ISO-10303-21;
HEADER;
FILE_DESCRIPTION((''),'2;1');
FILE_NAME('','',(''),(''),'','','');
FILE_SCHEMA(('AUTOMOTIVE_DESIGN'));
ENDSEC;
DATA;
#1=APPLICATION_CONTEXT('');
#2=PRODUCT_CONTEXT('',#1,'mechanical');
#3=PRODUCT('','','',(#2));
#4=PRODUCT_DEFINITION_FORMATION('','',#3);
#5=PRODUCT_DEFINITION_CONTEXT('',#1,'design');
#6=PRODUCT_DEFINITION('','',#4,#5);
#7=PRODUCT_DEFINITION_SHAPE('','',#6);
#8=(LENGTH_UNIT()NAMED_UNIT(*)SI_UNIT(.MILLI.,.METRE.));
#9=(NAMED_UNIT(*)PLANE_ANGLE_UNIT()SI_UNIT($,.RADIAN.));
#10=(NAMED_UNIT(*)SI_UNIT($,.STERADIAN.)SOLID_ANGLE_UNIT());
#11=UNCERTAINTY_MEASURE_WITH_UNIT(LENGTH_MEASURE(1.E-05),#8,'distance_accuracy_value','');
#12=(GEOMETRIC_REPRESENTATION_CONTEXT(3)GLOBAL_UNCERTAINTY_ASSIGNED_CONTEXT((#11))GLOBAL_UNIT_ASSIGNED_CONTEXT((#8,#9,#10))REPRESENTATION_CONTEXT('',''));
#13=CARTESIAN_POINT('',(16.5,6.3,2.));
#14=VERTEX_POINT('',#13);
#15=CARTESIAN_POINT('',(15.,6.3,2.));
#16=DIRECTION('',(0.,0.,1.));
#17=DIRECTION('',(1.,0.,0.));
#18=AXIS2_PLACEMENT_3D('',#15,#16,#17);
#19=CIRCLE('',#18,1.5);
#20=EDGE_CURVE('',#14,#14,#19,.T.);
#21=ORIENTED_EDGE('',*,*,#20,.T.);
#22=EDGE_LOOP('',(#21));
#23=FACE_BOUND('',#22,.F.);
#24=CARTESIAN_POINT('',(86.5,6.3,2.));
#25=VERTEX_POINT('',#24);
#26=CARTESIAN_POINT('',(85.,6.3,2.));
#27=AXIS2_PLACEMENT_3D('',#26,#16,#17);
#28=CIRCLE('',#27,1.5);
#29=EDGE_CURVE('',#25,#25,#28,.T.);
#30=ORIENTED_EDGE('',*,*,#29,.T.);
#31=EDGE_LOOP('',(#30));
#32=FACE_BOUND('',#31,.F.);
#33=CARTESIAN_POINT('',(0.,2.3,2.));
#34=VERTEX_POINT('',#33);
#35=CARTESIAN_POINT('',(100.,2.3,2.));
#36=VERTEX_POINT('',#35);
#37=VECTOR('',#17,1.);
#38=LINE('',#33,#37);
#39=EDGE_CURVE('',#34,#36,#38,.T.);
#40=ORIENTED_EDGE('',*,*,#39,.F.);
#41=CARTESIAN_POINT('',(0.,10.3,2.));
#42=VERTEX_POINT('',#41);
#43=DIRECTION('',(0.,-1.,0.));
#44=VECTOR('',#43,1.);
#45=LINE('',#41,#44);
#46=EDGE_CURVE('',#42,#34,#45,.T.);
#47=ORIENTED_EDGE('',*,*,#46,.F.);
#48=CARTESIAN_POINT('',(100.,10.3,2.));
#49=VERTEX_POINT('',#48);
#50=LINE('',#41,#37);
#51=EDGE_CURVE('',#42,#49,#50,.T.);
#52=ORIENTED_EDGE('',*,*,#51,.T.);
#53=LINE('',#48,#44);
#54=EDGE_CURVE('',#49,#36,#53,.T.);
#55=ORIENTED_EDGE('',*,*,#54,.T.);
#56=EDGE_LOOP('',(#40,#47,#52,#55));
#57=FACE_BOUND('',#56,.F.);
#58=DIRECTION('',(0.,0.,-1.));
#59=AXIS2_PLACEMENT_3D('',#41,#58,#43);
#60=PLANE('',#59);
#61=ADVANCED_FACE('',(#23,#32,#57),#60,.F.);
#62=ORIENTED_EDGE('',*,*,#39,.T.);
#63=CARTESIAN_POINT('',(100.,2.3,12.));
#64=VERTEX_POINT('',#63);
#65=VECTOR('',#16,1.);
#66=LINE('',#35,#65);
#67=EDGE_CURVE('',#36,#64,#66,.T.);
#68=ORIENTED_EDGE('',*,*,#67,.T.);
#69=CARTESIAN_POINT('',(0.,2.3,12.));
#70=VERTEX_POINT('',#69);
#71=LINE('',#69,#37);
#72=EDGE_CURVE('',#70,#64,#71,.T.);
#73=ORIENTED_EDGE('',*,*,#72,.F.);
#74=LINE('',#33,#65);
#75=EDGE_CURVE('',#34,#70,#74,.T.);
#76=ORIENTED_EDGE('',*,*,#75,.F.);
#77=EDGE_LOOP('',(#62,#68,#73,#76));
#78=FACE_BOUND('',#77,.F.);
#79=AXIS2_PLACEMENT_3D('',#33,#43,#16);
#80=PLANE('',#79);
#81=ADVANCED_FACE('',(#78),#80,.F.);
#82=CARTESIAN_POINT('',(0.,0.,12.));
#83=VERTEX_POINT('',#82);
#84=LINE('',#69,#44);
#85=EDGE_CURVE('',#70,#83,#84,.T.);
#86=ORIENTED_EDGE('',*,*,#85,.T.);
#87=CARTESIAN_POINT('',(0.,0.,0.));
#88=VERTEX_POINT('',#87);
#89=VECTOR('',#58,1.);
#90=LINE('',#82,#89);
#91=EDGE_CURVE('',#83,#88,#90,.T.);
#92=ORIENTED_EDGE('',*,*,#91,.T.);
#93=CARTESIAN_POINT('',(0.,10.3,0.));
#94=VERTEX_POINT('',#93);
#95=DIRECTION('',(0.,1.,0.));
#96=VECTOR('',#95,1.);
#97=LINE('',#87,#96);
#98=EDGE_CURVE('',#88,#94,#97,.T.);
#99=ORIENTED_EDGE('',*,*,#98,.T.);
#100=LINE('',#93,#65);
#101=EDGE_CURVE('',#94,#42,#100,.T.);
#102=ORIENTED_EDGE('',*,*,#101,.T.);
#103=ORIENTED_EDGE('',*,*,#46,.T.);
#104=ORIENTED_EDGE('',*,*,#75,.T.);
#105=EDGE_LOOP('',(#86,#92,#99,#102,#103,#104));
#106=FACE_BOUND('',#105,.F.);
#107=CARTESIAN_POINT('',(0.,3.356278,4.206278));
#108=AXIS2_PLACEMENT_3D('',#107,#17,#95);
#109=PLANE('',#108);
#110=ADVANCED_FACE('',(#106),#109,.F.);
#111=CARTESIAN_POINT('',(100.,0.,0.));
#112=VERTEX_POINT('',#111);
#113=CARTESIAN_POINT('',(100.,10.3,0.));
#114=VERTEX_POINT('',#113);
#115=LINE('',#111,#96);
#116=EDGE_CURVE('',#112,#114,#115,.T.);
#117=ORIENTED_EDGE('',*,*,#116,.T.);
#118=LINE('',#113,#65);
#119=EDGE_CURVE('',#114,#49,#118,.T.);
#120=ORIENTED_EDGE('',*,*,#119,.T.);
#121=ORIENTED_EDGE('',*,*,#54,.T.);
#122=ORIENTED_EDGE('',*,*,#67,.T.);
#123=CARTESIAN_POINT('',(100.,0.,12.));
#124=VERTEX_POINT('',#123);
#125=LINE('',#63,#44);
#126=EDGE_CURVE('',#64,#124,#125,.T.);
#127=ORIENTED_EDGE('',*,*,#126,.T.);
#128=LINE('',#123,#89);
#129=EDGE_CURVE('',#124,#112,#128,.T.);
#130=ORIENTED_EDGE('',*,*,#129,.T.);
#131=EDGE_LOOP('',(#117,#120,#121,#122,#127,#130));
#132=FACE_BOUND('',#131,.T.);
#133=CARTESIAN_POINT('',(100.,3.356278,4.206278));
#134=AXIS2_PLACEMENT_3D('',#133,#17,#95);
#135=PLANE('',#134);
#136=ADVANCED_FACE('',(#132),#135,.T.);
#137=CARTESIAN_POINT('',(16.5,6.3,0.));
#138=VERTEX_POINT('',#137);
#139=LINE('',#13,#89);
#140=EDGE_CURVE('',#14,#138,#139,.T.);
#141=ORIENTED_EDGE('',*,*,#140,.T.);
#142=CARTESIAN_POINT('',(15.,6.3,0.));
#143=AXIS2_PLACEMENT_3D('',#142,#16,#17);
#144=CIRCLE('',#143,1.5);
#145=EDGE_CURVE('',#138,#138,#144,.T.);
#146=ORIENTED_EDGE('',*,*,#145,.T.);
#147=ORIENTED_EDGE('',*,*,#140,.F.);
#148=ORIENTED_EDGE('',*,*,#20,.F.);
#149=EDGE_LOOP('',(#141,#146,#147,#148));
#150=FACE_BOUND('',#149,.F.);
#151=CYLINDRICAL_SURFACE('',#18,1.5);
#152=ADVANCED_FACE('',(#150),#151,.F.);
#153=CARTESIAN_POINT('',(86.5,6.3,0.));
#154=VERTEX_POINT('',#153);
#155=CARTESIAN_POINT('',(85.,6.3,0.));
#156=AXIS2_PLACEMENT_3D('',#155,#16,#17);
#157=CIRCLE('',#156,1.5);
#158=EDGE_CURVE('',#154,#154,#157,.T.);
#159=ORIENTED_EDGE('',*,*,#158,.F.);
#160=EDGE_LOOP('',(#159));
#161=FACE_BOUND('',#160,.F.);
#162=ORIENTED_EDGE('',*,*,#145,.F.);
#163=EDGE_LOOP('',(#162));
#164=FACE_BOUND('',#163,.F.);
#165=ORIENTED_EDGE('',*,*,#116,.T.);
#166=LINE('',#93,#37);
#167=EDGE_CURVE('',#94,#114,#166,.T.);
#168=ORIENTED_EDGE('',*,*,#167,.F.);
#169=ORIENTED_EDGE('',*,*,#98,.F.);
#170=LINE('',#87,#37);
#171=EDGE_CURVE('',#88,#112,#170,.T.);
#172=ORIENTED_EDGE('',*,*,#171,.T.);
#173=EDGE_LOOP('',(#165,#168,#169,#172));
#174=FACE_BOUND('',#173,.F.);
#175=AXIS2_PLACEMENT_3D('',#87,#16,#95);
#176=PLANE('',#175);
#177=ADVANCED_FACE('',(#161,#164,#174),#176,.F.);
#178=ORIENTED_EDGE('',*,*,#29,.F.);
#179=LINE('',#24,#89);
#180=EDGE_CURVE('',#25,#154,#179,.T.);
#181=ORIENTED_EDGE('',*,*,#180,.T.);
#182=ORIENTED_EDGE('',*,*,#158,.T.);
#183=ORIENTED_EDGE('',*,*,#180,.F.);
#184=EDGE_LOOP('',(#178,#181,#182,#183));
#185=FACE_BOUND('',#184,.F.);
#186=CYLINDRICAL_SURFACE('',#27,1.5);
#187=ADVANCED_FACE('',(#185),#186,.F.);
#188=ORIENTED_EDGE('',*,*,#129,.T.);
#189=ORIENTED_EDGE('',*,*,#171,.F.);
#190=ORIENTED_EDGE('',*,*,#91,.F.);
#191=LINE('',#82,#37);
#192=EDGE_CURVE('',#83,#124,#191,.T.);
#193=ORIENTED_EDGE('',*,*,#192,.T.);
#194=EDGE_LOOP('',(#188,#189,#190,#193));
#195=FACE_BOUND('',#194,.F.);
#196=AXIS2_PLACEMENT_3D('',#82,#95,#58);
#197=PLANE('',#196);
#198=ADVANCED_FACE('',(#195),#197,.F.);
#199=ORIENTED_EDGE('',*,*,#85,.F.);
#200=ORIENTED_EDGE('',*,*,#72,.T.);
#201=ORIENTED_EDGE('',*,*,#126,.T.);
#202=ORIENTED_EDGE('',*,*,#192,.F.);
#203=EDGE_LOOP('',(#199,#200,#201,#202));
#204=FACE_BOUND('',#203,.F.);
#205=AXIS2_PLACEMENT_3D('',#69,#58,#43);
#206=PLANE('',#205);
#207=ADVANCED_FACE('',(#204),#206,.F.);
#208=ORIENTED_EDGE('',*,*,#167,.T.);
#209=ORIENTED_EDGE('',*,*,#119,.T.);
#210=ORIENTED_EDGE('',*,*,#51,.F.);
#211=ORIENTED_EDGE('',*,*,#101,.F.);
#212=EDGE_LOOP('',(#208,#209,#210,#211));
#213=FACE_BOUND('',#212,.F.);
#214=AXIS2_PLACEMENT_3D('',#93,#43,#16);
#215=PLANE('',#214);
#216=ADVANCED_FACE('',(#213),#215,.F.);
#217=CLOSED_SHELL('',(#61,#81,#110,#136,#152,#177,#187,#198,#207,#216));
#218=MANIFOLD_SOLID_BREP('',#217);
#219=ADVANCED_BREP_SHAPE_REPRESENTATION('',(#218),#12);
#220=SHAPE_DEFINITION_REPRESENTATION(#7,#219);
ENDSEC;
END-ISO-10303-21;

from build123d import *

# Parameters (mm, degrees)
F1_DEPTH = 100
F2_R     = 1.5
F3_DEPTH = 25


with BuildPart() as f1:
    # F0 (on Right) → F1 (new body)
    with BuildSketch(Plane.YZ):
        Polygon((0, 12), (0, 0), (10.3, 0), (10.3, 2), (2.3, 2), (2.3, 12), align=None)
    extrude(amount=F1_DEPTH)

    # F2 (on face) → F3 (cut)
    with BuildSketch(Plane.XY.offset(2)):
        with Locations((85, 6.3)):
            Circle(F2_R)
        with Locations((15, 6.3)):
            Circle(F2_R)
    extrude(amount=-F3_DEPTH, mode=Mode.SUBTRACT)


solid = f1.part
